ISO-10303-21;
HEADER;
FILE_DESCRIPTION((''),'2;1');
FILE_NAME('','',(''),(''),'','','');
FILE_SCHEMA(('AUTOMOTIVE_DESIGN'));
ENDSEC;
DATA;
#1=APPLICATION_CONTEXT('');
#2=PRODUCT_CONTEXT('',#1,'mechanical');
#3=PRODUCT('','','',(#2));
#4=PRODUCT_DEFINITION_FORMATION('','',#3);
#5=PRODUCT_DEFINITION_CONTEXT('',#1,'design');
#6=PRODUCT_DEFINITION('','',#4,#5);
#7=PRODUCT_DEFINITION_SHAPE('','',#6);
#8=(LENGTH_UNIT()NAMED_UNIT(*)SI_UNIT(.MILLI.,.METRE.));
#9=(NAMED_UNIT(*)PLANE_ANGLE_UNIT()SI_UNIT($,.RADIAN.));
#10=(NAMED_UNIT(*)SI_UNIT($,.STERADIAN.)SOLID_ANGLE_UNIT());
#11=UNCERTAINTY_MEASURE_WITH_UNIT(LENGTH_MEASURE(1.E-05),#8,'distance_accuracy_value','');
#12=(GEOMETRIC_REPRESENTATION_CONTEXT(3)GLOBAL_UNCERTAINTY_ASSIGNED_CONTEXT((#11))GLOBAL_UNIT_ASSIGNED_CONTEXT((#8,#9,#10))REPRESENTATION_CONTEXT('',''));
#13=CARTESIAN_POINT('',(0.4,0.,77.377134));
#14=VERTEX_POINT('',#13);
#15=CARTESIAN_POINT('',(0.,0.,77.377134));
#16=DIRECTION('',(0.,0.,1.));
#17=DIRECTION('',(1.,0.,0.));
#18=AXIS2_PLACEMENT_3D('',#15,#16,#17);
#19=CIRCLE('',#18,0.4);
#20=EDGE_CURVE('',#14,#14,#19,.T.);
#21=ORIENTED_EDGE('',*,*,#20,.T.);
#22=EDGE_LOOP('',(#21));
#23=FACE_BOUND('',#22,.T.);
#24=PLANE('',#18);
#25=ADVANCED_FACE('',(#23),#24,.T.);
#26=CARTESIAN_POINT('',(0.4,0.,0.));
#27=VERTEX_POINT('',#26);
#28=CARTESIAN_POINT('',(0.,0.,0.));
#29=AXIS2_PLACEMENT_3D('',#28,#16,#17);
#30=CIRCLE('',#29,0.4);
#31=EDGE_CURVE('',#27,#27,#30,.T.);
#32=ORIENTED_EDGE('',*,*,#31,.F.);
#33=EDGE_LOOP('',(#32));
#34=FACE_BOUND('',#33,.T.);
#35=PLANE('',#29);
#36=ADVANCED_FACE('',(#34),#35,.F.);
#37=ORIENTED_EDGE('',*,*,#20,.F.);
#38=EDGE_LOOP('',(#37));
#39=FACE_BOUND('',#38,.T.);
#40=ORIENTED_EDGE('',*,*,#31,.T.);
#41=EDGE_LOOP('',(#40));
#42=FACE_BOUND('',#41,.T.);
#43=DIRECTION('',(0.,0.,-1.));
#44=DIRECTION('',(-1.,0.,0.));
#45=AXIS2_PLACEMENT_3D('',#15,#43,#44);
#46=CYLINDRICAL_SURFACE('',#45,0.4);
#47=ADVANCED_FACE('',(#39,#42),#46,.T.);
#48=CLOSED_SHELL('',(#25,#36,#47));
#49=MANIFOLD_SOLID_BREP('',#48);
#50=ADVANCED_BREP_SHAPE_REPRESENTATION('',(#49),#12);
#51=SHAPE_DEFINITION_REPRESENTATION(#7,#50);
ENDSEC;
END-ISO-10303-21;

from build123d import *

# Parameters (mm, degrees)
SKETCH_1_R          = 0.4
D0P8_L77_3771_DEPTH = 77.377134347


with BuildPart() as part:
    # 草图1 → D0p8钢索跨度_L77.3771 (new body)
    with BuildSketch(Plane.XY):
        Circle(SKETCH_1_R)
    extrude(amount=D0P8_L77_3771_DEPTH)


solid = part.part
